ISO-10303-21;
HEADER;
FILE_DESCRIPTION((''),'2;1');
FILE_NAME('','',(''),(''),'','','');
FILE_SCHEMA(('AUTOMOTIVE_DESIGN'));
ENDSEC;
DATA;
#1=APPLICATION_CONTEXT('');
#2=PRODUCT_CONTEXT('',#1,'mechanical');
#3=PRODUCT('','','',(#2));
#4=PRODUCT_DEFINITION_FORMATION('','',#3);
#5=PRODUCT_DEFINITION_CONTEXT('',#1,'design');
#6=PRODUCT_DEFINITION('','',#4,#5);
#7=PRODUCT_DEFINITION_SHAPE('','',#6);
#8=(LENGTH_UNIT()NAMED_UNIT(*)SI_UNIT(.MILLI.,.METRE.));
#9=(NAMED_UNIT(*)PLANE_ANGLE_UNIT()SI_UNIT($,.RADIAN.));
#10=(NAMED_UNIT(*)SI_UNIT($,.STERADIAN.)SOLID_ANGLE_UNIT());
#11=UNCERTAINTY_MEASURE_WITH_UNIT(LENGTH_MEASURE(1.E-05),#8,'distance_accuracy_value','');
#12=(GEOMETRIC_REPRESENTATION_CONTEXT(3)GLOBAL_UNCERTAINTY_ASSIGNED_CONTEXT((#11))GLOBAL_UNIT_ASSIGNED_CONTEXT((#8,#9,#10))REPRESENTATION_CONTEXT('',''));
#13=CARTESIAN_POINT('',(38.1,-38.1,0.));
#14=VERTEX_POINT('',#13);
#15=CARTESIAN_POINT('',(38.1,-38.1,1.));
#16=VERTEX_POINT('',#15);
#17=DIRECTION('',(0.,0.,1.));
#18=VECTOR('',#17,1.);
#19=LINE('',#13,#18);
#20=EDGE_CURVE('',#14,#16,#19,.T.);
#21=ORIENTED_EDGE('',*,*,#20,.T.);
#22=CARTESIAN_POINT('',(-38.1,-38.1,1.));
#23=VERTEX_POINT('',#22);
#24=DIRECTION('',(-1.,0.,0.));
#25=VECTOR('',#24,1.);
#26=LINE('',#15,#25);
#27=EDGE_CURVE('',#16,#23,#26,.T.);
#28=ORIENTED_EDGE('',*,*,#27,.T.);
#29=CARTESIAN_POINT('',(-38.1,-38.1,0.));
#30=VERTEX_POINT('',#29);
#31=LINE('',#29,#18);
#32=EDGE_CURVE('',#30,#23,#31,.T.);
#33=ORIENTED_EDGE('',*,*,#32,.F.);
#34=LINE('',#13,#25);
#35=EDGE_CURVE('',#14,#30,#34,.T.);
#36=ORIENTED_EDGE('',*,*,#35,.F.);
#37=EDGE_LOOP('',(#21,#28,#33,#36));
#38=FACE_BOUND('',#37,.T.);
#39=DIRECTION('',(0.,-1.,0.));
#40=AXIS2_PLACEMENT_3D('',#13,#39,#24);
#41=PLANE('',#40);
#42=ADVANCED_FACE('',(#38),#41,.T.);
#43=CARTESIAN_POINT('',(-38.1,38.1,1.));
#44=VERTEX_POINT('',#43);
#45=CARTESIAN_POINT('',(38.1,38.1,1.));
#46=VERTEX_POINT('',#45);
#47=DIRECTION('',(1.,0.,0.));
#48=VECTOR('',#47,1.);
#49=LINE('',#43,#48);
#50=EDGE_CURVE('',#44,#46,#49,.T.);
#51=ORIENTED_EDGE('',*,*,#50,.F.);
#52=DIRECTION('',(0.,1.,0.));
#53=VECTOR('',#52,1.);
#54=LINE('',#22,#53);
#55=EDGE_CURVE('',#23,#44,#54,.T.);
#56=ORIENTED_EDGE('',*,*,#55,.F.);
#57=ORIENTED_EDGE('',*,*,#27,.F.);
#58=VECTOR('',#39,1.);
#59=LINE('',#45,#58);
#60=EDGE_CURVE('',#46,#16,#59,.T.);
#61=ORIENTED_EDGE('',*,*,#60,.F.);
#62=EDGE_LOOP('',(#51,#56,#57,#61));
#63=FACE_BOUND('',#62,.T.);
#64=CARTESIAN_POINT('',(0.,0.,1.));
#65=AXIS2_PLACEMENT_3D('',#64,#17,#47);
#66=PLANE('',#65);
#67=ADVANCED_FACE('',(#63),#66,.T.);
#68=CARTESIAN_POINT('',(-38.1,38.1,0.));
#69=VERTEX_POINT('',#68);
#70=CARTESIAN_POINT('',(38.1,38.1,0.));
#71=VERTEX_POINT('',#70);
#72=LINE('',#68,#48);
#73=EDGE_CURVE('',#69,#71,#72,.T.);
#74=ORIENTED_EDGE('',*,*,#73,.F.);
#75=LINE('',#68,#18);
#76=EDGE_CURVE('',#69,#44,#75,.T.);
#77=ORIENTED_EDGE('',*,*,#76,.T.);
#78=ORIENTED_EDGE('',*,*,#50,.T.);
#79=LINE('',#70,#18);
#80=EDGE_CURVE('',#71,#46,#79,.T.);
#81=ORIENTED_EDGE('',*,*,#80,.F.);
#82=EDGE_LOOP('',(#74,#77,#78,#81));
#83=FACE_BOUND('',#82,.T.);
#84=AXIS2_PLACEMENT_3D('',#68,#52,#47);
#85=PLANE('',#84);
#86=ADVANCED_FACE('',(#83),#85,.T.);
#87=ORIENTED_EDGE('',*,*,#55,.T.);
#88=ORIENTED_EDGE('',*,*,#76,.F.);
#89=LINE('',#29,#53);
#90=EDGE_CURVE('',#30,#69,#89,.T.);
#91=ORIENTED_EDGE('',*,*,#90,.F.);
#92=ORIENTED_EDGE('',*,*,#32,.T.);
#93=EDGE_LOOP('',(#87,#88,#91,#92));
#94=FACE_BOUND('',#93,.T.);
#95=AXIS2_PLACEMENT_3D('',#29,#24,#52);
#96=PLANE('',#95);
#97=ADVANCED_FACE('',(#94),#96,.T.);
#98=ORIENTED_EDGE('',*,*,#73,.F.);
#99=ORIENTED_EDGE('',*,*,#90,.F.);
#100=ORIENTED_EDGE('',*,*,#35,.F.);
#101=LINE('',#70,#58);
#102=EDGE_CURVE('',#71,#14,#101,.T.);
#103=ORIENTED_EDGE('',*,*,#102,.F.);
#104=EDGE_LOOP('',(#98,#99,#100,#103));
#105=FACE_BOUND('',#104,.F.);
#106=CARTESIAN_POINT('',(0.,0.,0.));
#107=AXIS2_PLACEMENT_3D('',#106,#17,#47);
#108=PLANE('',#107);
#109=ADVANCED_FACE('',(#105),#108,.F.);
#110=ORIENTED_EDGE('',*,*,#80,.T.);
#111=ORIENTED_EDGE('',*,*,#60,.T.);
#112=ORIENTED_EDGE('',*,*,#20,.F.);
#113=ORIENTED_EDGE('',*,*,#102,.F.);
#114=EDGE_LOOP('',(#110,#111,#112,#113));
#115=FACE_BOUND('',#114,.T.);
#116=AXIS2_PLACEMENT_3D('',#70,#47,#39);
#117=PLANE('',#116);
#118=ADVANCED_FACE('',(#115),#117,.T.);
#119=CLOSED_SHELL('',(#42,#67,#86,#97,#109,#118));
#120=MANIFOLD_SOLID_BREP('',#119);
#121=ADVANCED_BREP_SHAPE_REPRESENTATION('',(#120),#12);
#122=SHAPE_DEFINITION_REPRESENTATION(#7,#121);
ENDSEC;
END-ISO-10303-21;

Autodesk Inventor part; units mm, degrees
ref_plane "YZ Plane" through (0, 0, 0) normal (1, 0, 0) x (0, 1, 0)
ref_plane "XZ Plane" through (0, 0, 0) normal (0, 1, 0) x (-1, 0, 0)
ref_plane "XY Plane" through (0, 0, 0) normal (0, 0, 1) x (1, 0, 0)
sketch "Sketch1" plane through (0, 0, 0) normal (0, 0, 1) x (1, 0, 0)
  line L0 (-38.1, 38.1) -> (38.1, 38.1)
  line L1 (38.1, 38.1) -> (38.1, -38.1)
  line L2 (38.1, -38.1) -> (-38.1, -38.1)
  line L3 (-38.1, -38.1) -> (-38.1, 38.1)
  line L4 (-38.1, 38.1) -> (38.1, -38.1) construction
  line L5 (38.1, 38.1) -> (-38.1, -38.1) construction
  point P0 (0, 0)
  dimension "d0" = 76.2
  dimension "d1" = 76.2
extrude "Extrusion1" add sketch "Sketch1" along normal blind 1
properties part number "Al2O3PowerSideSubstrate"
